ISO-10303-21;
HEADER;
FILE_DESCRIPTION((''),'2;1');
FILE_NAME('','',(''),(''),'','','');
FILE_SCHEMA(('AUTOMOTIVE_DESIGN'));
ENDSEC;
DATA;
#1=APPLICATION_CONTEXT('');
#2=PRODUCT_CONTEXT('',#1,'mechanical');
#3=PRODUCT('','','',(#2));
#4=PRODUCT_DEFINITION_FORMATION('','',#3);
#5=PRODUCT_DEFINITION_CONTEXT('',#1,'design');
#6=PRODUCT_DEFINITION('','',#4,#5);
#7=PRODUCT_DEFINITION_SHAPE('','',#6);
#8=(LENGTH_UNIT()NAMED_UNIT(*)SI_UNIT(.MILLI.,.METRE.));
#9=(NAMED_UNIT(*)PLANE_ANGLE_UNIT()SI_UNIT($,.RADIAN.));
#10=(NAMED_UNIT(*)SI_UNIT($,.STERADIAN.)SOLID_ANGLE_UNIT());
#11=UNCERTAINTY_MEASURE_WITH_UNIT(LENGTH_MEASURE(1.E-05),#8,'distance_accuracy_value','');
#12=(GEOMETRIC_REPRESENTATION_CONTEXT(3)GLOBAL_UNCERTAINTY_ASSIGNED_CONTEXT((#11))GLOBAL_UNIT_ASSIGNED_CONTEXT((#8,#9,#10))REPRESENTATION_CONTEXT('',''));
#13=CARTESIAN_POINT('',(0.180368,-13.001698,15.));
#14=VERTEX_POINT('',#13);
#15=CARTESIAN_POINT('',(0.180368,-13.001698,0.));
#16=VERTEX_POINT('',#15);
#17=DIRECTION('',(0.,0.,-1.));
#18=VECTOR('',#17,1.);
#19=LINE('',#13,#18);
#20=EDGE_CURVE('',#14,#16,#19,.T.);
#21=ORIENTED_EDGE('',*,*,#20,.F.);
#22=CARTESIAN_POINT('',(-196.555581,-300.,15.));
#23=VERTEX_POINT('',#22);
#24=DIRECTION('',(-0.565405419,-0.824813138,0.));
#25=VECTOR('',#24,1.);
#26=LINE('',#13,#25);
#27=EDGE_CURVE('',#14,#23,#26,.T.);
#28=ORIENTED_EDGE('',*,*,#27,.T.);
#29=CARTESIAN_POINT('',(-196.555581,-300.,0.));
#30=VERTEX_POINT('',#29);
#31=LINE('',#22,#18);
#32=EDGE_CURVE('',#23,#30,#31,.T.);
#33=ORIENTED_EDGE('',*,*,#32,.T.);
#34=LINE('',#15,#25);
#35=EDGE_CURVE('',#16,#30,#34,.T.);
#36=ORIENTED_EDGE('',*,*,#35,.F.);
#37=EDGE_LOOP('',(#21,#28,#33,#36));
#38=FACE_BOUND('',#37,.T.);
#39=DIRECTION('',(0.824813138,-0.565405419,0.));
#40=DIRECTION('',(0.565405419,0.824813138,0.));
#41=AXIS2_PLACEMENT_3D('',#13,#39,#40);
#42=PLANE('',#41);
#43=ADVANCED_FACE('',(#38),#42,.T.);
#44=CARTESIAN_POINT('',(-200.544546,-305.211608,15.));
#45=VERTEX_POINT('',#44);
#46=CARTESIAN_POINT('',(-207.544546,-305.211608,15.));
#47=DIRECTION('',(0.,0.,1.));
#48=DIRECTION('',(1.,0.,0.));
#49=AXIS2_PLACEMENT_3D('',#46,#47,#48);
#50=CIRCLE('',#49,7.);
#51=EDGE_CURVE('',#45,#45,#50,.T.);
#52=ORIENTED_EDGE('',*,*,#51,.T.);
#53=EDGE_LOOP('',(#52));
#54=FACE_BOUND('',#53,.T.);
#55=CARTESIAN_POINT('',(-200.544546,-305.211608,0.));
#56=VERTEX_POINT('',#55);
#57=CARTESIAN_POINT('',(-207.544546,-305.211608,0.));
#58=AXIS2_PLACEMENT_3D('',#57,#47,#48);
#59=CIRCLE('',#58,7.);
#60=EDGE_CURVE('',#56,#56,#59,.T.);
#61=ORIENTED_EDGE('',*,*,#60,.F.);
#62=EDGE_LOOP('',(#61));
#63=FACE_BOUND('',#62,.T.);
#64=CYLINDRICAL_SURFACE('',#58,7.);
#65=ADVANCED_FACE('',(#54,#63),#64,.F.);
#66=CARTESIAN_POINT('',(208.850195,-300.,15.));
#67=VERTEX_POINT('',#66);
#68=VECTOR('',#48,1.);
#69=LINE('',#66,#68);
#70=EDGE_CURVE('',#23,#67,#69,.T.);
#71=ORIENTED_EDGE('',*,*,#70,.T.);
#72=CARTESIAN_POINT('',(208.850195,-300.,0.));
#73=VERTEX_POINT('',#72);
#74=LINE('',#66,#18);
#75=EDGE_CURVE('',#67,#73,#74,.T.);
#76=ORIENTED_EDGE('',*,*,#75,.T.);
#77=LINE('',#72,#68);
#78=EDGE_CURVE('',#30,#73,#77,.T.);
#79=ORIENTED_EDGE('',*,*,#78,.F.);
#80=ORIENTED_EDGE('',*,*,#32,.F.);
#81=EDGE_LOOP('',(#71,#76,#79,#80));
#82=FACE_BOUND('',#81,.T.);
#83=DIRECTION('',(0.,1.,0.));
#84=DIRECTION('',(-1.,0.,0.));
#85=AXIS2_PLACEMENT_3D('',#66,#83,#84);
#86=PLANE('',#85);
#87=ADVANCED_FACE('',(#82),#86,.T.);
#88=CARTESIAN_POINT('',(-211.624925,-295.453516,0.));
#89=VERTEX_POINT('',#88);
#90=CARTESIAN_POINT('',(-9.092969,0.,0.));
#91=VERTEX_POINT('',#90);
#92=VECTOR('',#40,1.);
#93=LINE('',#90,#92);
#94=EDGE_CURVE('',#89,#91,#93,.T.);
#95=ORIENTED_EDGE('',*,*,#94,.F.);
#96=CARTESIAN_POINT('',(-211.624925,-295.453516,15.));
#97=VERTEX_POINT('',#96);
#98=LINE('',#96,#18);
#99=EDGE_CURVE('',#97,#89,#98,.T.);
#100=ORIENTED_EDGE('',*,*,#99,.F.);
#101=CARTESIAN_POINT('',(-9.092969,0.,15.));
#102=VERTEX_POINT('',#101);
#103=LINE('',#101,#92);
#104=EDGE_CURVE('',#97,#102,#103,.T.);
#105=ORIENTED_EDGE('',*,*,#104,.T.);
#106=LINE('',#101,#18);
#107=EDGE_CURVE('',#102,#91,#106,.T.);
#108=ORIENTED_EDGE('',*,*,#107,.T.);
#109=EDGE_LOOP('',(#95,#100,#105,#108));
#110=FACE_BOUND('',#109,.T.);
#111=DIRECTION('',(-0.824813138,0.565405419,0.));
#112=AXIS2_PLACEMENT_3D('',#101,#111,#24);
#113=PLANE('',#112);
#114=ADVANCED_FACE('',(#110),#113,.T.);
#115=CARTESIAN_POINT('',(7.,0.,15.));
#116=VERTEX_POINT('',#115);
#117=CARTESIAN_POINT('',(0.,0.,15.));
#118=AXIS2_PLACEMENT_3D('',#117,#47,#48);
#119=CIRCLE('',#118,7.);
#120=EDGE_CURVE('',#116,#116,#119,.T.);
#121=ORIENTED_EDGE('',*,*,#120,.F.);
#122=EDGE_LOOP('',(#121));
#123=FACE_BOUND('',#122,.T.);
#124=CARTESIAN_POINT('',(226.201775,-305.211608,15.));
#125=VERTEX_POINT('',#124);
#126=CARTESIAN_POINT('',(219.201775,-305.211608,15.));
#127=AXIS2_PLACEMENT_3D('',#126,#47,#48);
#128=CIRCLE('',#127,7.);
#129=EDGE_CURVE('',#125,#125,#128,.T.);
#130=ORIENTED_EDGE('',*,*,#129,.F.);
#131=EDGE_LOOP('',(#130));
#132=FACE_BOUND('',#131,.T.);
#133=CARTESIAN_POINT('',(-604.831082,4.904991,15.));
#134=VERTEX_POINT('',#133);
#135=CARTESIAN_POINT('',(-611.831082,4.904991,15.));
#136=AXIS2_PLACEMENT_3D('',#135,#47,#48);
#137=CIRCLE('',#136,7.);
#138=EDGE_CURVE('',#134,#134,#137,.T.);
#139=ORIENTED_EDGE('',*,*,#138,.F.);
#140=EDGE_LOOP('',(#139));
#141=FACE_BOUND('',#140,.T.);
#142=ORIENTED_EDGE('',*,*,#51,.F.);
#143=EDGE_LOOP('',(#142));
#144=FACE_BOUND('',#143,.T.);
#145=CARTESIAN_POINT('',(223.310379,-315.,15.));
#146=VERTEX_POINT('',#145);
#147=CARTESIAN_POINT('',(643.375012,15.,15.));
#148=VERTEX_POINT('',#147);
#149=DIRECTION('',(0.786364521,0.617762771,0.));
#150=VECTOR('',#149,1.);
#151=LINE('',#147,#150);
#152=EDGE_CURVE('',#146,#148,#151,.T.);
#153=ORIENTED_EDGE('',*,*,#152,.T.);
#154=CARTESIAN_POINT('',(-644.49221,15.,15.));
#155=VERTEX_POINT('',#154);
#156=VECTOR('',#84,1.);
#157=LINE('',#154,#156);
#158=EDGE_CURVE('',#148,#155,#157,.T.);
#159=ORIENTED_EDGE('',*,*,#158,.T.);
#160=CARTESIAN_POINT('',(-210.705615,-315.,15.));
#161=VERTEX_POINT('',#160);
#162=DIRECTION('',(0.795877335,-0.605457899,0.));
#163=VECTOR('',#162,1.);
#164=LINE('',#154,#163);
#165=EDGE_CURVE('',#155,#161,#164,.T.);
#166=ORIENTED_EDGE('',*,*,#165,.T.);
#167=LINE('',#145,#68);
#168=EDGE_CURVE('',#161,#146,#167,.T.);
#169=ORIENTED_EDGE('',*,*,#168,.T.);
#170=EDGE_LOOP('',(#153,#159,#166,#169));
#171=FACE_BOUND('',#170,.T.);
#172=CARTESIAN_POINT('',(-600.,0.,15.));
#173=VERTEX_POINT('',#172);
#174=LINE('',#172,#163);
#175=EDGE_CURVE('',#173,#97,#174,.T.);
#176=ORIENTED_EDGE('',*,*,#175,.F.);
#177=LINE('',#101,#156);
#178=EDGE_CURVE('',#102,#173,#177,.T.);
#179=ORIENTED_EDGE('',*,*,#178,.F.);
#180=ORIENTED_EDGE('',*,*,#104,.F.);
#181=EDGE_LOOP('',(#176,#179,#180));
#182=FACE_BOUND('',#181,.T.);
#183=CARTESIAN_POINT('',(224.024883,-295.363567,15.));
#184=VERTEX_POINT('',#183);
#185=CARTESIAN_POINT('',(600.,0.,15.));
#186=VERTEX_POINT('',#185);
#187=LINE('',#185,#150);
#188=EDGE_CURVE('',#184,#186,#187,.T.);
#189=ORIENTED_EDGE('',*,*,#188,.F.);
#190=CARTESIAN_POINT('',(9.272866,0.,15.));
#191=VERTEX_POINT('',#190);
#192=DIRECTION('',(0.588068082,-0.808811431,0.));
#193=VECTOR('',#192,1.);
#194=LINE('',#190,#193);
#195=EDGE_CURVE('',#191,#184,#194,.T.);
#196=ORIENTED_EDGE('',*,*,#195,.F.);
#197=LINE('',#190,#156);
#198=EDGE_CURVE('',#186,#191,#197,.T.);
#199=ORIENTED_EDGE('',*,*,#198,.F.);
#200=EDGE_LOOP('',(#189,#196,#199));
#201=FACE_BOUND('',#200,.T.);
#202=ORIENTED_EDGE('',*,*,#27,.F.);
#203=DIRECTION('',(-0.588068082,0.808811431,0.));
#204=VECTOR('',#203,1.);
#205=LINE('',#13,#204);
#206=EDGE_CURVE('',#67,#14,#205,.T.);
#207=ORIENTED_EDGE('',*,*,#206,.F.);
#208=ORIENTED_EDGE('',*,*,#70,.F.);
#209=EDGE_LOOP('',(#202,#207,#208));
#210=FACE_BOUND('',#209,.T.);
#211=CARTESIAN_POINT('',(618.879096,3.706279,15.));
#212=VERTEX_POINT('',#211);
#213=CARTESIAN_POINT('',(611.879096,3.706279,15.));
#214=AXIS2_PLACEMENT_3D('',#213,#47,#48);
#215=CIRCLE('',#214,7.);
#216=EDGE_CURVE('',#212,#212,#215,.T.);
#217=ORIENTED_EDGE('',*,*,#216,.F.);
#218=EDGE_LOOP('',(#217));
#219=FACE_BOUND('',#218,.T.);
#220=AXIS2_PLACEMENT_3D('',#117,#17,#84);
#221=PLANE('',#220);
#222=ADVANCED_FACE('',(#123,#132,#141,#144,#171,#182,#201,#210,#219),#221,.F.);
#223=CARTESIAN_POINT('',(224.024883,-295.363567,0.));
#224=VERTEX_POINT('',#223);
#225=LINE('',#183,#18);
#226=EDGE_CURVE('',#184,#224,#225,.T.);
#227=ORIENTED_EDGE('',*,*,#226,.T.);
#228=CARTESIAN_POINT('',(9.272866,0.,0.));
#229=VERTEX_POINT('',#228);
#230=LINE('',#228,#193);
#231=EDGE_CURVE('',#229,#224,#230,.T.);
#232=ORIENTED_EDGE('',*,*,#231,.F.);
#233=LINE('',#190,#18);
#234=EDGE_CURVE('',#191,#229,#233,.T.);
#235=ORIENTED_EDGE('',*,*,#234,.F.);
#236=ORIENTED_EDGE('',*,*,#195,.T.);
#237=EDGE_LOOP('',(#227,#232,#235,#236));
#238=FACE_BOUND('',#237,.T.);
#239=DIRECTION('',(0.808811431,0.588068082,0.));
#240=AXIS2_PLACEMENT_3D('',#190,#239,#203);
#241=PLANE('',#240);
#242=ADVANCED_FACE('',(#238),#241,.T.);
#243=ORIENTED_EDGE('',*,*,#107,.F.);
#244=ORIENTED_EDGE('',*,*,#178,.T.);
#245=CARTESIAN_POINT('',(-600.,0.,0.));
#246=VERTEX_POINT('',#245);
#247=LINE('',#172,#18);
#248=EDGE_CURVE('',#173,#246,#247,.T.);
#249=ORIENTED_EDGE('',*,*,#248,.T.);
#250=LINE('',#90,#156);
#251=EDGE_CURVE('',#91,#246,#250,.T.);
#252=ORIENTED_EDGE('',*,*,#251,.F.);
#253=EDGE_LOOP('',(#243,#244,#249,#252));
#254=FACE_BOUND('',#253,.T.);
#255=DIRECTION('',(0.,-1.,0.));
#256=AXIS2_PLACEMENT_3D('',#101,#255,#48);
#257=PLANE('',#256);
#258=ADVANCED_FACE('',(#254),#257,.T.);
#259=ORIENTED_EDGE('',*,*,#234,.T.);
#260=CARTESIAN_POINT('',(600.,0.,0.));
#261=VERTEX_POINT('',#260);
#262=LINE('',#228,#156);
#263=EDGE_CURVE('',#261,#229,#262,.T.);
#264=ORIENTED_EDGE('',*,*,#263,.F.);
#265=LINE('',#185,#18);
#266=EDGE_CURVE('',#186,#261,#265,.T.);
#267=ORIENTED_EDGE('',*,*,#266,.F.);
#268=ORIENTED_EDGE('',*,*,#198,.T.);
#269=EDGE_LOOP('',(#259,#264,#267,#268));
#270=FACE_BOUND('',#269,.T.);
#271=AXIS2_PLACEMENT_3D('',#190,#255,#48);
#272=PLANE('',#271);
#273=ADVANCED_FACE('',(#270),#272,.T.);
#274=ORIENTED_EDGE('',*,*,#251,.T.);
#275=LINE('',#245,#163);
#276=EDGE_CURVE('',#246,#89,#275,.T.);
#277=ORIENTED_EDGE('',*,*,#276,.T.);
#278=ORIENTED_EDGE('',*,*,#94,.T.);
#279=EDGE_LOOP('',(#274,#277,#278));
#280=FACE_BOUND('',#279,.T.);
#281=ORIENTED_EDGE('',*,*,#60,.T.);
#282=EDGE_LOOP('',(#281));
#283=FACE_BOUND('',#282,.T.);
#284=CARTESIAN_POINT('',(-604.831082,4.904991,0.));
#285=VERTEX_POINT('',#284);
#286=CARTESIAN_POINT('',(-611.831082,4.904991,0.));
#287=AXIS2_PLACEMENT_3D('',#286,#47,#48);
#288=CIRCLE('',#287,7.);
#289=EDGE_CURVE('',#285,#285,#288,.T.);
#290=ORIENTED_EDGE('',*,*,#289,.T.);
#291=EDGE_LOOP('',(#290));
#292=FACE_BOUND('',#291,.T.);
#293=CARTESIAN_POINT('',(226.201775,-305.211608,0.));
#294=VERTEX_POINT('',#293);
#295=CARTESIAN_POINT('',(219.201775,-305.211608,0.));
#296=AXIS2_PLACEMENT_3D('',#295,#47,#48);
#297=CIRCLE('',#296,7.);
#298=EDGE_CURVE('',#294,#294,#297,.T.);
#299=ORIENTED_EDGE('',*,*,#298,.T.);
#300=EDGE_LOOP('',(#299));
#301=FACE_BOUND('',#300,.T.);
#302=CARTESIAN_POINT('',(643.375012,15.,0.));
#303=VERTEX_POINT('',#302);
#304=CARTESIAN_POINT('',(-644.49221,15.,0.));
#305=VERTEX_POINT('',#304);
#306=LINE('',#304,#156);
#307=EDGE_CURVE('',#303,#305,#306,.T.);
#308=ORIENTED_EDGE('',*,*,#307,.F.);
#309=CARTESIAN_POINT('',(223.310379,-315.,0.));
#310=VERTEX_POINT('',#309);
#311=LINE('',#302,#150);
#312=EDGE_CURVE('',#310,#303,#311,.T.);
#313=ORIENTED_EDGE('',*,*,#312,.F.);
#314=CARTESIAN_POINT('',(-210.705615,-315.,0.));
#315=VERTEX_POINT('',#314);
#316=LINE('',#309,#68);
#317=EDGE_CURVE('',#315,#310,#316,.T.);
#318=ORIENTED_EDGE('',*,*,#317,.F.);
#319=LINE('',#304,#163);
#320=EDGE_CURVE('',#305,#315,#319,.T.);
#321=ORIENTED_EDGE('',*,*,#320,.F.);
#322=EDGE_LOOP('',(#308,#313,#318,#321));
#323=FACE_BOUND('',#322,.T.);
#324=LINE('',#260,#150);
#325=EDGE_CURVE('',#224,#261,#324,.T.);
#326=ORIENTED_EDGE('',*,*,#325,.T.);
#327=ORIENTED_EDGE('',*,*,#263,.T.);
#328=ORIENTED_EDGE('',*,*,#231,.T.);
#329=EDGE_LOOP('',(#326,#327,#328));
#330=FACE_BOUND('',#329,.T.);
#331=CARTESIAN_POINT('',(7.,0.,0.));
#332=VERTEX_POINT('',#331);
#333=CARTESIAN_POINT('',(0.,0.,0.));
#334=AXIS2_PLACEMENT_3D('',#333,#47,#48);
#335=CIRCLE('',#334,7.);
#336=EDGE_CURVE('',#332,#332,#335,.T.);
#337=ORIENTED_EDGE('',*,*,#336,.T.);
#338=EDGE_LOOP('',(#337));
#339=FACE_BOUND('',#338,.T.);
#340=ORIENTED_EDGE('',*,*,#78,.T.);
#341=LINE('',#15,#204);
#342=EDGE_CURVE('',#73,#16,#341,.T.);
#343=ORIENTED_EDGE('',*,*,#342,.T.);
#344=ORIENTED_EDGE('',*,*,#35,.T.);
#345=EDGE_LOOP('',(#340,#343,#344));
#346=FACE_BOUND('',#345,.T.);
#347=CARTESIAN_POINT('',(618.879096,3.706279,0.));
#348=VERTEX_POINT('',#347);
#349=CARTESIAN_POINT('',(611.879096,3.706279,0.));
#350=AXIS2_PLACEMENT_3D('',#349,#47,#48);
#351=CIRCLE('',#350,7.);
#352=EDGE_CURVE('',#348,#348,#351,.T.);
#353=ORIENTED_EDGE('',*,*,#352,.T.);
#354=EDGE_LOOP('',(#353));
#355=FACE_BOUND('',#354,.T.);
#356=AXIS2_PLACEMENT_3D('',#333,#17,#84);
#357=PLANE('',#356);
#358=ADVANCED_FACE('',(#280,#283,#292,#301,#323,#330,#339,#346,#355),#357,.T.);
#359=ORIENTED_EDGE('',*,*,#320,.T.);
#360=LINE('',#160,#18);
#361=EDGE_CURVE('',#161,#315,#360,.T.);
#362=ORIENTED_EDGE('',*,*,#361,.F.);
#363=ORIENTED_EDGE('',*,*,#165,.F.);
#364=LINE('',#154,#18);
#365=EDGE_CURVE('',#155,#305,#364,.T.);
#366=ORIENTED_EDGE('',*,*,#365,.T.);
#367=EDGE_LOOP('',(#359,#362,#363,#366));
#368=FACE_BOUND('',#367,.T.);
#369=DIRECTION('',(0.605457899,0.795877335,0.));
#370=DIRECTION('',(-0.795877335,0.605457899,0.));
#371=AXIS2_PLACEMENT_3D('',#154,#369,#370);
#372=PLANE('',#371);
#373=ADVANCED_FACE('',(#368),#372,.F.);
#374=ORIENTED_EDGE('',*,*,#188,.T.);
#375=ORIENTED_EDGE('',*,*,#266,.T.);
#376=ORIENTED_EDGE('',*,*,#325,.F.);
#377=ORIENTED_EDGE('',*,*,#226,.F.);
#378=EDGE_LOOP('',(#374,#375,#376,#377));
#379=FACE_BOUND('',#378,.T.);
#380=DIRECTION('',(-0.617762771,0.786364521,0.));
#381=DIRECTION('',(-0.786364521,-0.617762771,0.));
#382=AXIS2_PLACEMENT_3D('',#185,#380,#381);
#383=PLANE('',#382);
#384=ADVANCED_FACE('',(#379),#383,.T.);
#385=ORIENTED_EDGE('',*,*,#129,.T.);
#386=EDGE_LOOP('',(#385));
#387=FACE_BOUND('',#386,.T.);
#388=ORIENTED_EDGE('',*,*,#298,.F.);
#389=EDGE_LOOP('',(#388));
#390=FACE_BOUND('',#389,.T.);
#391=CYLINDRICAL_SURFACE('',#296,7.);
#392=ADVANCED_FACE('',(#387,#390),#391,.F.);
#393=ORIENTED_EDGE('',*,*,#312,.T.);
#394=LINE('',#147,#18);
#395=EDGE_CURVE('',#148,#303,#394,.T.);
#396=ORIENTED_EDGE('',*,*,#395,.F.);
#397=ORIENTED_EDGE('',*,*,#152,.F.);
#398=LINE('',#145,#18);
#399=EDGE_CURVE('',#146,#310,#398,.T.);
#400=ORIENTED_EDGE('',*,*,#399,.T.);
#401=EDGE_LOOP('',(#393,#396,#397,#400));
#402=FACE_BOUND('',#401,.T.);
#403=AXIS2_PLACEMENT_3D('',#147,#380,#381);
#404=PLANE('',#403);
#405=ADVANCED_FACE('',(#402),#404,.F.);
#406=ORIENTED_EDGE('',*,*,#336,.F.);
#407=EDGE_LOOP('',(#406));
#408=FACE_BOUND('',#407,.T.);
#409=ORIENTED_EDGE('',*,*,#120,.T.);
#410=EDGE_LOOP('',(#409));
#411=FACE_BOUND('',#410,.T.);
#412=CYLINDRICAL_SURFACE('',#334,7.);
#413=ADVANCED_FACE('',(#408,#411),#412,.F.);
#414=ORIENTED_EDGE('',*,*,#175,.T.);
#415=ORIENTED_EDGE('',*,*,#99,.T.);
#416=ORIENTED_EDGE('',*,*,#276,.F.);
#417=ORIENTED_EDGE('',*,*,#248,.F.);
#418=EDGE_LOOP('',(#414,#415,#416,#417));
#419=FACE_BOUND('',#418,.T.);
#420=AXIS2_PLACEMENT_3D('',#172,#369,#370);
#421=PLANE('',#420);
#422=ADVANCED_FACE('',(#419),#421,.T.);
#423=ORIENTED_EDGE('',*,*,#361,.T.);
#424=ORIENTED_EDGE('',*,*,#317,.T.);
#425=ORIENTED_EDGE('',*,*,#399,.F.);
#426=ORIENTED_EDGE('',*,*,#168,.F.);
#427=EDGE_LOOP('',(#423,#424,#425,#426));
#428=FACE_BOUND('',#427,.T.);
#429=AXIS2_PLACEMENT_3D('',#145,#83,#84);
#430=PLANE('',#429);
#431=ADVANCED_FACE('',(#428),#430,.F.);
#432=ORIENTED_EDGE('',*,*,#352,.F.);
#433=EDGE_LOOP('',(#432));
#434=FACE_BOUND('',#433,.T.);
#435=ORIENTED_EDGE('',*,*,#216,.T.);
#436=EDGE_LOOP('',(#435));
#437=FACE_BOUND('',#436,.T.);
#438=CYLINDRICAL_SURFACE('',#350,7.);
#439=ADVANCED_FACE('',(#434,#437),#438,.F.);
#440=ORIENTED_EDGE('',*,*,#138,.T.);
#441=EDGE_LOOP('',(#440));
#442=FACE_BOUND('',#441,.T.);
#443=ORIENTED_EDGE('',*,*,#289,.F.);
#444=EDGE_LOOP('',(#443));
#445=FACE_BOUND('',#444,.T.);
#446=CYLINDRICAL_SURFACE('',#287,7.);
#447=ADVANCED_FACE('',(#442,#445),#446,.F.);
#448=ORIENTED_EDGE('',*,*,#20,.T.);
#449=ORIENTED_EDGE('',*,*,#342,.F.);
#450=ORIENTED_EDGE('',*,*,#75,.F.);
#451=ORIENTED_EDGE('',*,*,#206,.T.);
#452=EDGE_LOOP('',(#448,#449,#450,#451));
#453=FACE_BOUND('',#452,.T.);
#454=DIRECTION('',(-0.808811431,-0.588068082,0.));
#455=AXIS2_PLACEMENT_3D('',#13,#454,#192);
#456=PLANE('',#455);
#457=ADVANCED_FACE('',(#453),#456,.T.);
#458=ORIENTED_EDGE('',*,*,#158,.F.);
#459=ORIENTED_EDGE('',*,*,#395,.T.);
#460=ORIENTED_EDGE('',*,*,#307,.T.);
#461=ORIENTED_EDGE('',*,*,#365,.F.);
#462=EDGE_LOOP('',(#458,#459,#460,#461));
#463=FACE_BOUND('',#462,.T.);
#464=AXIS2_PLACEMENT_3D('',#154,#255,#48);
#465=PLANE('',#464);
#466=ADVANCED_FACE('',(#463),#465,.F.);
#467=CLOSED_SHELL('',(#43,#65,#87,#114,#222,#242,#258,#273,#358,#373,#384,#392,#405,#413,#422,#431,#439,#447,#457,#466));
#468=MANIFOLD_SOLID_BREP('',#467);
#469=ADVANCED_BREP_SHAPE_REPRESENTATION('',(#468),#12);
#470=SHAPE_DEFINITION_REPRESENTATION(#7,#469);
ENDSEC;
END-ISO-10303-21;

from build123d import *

# Parameters (mm, degrees)
BOSS_EXTRUDE1_DEPTH = 15
SKETCH2_R           = 7
CUT_EXTRUDE2_DEPTH  = 15


with BuildPart() as part:
    # Sketch1 → Boss-Extrude1 (new body)
    with BuildSketch(Plane.XY):
        Polygon((-644.492210058, 15), (643.375012356, 15), (223.310378922, -315), (-210.705614848, -315), align=None)
        Polygon((9.272865978, 0), (600, 0), (224.024883315, -295.363567011), align=None, mode=Mode.SUBTRACT)
        Polygon((-9.092968645, 0), (-600, 0), (-211.624925428, -295.453515678), align=None, mode=Mode.SUBTRACT)
        Polygon((208.850194536, -300), (-196.555581164, -300), (0.180367696, -13.001697737), align=None, mode=Mode.SUBTRACT)
    extrude(amount=BOSS_EXTRUDE1_DEPTH)

    # Sketch2 → Cut-Extrude2 (cut)
    with BuildSketch(Plane.XY.offset(15)):
        with Locations((-611.831081684, 4.904990628)):
            Circle(SKETCH2_R)
        Circle(SKETCH2_R)
        with Locations((611.879096148, 3.706278654)):
            Circle(SKETCH2_R)
        with Locations((-207.544546049, -305.21160756)):
            Circle(SKETCH2_R)
        with Locations((219.201774513, -305.21160756)):
            Circle(SKETCH2_R)
    extrude(amount=-CUT_EXTRUDE2_DEPTH, mode=Mode.SUBTRACT)


solid = part.part
